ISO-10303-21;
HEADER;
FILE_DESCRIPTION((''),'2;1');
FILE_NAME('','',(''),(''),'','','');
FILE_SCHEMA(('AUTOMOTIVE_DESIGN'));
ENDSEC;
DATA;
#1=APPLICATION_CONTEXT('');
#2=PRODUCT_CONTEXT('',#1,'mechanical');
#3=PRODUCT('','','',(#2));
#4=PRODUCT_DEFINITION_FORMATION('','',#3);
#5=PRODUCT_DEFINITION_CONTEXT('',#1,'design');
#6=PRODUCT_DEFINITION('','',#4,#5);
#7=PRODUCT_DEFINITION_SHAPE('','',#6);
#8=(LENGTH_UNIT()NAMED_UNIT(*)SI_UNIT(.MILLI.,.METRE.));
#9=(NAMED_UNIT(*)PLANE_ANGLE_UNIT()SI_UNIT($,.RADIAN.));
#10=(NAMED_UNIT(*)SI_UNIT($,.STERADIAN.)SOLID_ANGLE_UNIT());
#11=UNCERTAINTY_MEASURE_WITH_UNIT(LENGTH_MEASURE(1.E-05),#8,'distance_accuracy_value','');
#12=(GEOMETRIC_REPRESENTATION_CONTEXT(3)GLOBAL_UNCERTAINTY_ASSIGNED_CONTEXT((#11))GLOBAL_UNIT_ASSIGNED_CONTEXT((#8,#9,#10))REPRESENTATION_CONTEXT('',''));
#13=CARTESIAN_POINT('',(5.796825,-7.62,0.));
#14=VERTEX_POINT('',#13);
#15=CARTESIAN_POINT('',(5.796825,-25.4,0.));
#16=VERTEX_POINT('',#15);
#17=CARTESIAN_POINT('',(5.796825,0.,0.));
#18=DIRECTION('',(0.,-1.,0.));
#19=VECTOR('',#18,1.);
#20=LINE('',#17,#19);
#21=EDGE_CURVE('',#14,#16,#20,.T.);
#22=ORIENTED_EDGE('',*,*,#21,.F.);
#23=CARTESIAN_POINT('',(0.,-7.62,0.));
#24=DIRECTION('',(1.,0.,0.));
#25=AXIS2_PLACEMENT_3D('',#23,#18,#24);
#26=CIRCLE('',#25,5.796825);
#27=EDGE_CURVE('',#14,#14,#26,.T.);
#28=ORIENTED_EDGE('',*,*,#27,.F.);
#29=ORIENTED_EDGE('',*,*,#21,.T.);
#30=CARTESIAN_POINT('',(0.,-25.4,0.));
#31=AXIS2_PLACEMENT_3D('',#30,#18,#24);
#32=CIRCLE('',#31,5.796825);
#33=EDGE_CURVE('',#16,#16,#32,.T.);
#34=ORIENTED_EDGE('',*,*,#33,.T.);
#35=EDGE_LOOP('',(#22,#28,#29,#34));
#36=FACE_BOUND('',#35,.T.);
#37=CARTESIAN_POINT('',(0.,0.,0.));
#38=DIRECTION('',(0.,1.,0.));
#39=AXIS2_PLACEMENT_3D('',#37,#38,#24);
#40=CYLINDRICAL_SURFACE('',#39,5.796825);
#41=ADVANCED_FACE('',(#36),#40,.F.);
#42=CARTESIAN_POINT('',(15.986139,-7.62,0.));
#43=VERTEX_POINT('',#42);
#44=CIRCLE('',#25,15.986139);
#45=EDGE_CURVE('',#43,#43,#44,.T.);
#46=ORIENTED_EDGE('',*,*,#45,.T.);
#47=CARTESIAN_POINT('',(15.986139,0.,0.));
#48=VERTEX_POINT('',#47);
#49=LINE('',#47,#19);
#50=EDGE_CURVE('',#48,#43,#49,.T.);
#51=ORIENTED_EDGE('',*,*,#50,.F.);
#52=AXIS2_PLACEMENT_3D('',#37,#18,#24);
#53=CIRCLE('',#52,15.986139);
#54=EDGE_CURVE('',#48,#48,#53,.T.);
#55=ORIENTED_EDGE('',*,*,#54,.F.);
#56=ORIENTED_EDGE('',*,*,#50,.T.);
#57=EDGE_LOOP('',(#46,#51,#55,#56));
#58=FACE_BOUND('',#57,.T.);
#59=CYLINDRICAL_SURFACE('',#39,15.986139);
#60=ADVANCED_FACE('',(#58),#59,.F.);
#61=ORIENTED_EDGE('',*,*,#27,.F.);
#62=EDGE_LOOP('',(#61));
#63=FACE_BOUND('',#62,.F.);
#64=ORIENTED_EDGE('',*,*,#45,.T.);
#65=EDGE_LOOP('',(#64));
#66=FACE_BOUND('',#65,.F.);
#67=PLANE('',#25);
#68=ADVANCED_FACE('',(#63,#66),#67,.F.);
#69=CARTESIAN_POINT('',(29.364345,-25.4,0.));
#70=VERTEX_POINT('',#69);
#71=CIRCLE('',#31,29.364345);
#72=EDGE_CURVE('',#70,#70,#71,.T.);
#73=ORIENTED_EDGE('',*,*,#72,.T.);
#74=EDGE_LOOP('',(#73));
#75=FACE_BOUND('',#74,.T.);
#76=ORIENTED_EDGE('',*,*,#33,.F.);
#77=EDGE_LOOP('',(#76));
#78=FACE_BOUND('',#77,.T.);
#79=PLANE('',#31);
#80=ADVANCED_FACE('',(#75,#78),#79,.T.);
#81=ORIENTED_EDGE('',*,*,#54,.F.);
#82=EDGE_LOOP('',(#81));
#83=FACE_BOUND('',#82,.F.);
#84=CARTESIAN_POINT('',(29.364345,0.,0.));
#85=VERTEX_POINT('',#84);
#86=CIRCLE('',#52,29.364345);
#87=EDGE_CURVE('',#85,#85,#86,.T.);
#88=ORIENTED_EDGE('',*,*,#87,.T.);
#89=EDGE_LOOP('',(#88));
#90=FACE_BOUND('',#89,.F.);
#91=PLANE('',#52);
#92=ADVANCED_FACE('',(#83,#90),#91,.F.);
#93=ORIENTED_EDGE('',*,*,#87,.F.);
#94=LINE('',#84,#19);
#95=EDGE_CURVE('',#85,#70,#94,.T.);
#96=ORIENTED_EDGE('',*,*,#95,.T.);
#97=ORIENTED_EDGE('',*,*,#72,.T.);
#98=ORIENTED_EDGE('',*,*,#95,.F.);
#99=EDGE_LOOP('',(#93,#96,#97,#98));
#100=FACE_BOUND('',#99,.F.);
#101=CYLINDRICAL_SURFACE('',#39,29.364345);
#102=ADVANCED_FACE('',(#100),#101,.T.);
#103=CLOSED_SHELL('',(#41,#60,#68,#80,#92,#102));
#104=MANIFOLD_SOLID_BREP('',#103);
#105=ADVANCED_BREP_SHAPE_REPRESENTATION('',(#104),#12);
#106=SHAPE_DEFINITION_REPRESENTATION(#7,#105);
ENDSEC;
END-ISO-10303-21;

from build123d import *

# Parameters (mm, degrees)
F0_R     = 29.364345
F0_R_2   = 15.986139
F0_R_3   = 5.796825
F1_DEPTH = 25.4
F2_DEPTH = 7.62


with BuildPart() as f1:
    # F0 (on Front) → F1 (new body)
    with BuildSketch(Plane.XZ):
        Circle(F0_R)
        Circle(F0_R_2, mode=Mode.SUBTRACT)
        Circle(F0_R_2)
        Circle(F0_R_3, mode=Mode.SUBTRACT)
    extrude(amount=F1_DEPTH)

    # F0 (on Front) → F2 (cut)
    with BuildSketch(Plane.XZ):
        Circle(F0_R_2)
        Circle(F0_R_3, mode=Mode.SUBTRACT)
    extrude(amount=F2_DEPTH, mode=Mode.SUBTRACT)


solid = f1.part
